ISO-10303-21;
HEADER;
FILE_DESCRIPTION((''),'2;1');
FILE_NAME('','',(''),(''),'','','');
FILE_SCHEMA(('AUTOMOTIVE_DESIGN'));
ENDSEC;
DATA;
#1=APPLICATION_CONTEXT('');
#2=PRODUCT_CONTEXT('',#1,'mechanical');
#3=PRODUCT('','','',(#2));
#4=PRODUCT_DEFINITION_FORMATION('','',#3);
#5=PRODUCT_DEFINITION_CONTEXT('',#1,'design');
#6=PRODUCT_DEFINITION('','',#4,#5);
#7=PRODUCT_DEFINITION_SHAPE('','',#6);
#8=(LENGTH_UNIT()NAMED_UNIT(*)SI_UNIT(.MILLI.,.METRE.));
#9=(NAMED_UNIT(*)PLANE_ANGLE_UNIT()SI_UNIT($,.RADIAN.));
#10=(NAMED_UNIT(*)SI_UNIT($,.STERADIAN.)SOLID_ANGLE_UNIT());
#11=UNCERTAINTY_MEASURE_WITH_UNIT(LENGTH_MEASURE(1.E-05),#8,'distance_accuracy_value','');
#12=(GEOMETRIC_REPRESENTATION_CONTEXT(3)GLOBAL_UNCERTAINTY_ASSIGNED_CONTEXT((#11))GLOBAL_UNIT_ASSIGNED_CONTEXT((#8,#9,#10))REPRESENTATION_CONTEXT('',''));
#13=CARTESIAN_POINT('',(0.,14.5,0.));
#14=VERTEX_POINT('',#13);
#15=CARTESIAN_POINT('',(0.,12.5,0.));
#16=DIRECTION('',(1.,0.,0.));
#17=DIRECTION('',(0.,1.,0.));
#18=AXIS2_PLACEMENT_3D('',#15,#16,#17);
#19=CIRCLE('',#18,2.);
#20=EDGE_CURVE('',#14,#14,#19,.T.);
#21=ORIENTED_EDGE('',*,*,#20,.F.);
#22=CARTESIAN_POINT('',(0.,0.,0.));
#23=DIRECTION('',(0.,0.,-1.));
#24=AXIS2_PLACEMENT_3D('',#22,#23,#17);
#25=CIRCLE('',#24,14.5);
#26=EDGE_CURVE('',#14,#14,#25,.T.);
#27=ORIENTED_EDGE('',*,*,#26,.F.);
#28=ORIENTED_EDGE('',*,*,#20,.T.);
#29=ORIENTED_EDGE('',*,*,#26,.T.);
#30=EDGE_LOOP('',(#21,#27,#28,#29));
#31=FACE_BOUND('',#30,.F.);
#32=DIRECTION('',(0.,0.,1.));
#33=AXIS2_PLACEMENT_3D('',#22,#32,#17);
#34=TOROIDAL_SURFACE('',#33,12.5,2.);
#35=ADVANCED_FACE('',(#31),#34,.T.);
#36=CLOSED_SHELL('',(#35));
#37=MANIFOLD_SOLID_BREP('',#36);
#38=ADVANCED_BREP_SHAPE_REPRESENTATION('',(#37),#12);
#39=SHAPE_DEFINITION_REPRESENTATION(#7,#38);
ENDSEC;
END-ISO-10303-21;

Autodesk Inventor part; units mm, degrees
ref_plane "YZ Plane" through (0, 0, 0) normal (1, 0, 0) x (0, 1, 0)
ref_plane "XZ Plane" through (0, 0, 0) normal (0, 1, 0) x (-1, 0, 0)
ref_plane "XY Plane" through (0, 0, 0) normal (0, 0, 1) x (1, 0, 0)
sketch "Esquisse1" plane through (0, 0, 0) normal (1, 0, 0) x (0, 1, 0)
  circle A0 centre (12.5, 0) radius 2
  line L0 (10.5, 2) -> (10.5, -2) construction
  line L1 (0, 14.3564) -> (0, -27.2029)
  point P0 (0, 0)
  dimension "d0" = 4
  dimension "d2" = 21
revolve "Révolution1" add sketch "Esquisse1" angle 360 about axis through (0, 0, 14.3564) along (0, 0, -1)
equation "\"d2\" = d175"
equation "\"d175\" = 21"
properties part number "joint" material "Caoutchouc, silicone"
